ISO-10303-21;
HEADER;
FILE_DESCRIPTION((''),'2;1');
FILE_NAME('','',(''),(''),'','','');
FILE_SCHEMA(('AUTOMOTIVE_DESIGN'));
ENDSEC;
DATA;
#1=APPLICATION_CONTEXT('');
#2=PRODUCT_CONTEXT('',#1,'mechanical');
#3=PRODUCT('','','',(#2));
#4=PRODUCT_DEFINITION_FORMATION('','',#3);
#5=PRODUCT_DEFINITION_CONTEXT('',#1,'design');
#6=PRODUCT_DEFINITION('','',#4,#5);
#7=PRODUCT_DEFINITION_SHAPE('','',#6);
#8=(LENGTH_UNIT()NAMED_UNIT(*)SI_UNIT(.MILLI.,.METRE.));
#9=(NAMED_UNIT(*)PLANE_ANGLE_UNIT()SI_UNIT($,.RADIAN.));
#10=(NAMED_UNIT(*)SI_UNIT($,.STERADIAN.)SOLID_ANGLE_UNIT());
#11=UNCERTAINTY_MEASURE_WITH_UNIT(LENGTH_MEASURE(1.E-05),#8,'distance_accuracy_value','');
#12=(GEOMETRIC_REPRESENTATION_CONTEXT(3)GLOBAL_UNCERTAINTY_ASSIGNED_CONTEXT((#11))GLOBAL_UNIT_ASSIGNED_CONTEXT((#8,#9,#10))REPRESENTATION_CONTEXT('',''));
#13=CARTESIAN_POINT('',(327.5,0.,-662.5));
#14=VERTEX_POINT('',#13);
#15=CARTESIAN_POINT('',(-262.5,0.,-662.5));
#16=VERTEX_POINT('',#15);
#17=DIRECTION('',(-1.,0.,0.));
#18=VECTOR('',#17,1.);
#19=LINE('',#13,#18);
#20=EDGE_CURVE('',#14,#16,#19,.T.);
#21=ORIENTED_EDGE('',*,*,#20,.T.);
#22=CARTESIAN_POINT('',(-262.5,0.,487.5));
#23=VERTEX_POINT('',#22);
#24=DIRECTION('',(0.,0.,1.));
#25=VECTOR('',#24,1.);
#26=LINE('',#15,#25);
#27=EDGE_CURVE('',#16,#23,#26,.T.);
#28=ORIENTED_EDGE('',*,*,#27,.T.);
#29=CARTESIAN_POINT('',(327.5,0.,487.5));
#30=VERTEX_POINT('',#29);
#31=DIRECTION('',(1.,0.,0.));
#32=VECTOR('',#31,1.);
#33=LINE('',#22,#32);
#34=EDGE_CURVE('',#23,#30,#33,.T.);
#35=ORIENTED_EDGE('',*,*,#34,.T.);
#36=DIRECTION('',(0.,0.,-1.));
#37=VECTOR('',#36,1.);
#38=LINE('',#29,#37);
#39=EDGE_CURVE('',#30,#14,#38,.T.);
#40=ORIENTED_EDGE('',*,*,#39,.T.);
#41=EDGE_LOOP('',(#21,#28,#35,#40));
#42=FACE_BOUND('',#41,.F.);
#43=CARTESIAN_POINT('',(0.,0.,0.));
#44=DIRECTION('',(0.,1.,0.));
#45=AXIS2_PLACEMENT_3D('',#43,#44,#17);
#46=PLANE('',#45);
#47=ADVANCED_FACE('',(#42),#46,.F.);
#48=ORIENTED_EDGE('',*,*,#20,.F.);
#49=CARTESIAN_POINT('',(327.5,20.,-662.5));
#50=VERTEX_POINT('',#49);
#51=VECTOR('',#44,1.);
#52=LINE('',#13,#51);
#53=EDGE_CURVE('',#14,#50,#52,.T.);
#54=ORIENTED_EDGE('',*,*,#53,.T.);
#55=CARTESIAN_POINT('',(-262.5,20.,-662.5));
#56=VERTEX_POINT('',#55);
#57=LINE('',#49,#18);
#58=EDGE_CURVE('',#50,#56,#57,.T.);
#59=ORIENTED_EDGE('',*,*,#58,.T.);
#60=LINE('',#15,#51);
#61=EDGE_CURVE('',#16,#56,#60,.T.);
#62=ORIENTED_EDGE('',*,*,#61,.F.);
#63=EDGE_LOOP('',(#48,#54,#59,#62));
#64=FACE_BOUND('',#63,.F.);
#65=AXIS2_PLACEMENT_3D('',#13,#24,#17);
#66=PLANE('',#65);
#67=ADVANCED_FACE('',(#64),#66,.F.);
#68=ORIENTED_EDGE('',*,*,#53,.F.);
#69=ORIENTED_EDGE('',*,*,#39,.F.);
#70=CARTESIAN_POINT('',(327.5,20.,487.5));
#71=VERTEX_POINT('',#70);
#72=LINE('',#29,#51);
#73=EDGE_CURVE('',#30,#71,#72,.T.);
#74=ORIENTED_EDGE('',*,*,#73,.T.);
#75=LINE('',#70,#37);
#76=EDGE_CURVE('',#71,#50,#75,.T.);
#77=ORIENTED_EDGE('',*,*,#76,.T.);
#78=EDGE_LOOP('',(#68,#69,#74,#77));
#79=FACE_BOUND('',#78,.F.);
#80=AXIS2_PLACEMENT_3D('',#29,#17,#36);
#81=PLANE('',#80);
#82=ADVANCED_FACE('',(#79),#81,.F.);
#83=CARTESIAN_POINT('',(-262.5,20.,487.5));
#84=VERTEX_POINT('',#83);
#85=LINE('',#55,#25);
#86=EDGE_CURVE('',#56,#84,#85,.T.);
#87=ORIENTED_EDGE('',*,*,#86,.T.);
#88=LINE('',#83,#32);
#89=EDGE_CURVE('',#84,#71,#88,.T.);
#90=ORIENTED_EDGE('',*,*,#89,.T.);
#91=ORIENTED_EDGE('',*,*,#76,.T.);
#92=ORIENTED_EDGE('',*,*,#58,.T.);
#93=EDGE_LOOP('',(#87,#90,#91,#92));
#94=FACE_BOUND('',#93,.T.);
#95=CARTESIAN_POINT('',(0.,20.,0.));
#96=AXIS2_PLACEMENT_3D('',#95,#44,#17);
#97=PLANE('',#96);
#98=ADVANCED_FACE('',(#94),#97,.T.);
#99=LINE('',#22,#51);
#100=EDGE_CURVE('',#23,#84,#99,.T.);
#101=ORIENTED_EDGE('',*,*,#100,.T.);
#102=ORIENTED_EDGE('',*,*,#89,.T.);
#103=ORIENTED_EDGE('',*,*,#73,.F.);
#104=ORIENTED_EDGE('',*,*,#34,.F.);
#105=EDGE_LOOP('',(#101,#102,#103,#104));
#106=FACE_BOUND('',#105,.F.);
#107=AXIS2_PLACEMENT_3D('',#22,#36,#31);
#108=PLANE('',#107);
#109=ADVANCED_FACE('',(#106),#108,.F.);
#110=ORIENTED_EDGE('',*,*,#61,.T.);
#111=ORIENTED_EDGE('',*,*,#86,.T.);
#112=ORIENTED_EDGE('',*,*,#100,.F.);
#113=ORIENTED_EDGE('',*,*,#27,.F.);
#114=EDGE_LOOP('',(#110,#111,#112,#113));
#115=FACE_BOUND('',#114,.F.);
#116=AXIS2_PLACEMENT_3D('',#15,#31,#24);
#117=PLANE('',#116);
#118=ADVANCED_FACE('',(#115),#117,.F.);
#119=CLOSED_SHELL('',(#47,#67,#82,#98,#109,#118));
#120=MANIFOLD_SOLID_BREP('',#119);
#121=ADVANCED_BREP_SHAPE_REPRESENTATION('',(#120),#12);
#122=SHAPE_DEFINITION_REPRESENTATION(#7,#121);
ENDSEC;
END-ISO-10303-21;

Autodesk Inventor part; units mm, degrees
ref_plane "YZ Plane" through (0, 0, 0) normal (1, 0, 0) x (0, 1, 0)
ref_plane "XZ Plane" through (0, 0, 0) normal (0, 1, 0) x (-1, 0, 0)
ref_plane "XY Plane" through (0, 0, 0) normal (0, 0, 1) x (1, 0, 0)
sketch "Sketch1" plane through (0, 0, 0) normal (0, 1, 0) x (-1, 0, 0)
  line L0 (262.5, 487.5) -> (-327.5, 487.5)
  line L1 (-327.5, 487.5) -> (-327.5, -662.5)
  line L2 (-327.5, -662.5) -> (262.5, -662.5)
  line L3 (262.5, -662.5) -> (262.5, 487.5)
  point P0 (0, 0)
  dimension "d0" = 1150
  dimension "d1" = 590
extrude "Extrusion1" add sketch "Sketch1" along normal blind 20
properties part number "KorpusOsnova" material "Wood (Birch)"
